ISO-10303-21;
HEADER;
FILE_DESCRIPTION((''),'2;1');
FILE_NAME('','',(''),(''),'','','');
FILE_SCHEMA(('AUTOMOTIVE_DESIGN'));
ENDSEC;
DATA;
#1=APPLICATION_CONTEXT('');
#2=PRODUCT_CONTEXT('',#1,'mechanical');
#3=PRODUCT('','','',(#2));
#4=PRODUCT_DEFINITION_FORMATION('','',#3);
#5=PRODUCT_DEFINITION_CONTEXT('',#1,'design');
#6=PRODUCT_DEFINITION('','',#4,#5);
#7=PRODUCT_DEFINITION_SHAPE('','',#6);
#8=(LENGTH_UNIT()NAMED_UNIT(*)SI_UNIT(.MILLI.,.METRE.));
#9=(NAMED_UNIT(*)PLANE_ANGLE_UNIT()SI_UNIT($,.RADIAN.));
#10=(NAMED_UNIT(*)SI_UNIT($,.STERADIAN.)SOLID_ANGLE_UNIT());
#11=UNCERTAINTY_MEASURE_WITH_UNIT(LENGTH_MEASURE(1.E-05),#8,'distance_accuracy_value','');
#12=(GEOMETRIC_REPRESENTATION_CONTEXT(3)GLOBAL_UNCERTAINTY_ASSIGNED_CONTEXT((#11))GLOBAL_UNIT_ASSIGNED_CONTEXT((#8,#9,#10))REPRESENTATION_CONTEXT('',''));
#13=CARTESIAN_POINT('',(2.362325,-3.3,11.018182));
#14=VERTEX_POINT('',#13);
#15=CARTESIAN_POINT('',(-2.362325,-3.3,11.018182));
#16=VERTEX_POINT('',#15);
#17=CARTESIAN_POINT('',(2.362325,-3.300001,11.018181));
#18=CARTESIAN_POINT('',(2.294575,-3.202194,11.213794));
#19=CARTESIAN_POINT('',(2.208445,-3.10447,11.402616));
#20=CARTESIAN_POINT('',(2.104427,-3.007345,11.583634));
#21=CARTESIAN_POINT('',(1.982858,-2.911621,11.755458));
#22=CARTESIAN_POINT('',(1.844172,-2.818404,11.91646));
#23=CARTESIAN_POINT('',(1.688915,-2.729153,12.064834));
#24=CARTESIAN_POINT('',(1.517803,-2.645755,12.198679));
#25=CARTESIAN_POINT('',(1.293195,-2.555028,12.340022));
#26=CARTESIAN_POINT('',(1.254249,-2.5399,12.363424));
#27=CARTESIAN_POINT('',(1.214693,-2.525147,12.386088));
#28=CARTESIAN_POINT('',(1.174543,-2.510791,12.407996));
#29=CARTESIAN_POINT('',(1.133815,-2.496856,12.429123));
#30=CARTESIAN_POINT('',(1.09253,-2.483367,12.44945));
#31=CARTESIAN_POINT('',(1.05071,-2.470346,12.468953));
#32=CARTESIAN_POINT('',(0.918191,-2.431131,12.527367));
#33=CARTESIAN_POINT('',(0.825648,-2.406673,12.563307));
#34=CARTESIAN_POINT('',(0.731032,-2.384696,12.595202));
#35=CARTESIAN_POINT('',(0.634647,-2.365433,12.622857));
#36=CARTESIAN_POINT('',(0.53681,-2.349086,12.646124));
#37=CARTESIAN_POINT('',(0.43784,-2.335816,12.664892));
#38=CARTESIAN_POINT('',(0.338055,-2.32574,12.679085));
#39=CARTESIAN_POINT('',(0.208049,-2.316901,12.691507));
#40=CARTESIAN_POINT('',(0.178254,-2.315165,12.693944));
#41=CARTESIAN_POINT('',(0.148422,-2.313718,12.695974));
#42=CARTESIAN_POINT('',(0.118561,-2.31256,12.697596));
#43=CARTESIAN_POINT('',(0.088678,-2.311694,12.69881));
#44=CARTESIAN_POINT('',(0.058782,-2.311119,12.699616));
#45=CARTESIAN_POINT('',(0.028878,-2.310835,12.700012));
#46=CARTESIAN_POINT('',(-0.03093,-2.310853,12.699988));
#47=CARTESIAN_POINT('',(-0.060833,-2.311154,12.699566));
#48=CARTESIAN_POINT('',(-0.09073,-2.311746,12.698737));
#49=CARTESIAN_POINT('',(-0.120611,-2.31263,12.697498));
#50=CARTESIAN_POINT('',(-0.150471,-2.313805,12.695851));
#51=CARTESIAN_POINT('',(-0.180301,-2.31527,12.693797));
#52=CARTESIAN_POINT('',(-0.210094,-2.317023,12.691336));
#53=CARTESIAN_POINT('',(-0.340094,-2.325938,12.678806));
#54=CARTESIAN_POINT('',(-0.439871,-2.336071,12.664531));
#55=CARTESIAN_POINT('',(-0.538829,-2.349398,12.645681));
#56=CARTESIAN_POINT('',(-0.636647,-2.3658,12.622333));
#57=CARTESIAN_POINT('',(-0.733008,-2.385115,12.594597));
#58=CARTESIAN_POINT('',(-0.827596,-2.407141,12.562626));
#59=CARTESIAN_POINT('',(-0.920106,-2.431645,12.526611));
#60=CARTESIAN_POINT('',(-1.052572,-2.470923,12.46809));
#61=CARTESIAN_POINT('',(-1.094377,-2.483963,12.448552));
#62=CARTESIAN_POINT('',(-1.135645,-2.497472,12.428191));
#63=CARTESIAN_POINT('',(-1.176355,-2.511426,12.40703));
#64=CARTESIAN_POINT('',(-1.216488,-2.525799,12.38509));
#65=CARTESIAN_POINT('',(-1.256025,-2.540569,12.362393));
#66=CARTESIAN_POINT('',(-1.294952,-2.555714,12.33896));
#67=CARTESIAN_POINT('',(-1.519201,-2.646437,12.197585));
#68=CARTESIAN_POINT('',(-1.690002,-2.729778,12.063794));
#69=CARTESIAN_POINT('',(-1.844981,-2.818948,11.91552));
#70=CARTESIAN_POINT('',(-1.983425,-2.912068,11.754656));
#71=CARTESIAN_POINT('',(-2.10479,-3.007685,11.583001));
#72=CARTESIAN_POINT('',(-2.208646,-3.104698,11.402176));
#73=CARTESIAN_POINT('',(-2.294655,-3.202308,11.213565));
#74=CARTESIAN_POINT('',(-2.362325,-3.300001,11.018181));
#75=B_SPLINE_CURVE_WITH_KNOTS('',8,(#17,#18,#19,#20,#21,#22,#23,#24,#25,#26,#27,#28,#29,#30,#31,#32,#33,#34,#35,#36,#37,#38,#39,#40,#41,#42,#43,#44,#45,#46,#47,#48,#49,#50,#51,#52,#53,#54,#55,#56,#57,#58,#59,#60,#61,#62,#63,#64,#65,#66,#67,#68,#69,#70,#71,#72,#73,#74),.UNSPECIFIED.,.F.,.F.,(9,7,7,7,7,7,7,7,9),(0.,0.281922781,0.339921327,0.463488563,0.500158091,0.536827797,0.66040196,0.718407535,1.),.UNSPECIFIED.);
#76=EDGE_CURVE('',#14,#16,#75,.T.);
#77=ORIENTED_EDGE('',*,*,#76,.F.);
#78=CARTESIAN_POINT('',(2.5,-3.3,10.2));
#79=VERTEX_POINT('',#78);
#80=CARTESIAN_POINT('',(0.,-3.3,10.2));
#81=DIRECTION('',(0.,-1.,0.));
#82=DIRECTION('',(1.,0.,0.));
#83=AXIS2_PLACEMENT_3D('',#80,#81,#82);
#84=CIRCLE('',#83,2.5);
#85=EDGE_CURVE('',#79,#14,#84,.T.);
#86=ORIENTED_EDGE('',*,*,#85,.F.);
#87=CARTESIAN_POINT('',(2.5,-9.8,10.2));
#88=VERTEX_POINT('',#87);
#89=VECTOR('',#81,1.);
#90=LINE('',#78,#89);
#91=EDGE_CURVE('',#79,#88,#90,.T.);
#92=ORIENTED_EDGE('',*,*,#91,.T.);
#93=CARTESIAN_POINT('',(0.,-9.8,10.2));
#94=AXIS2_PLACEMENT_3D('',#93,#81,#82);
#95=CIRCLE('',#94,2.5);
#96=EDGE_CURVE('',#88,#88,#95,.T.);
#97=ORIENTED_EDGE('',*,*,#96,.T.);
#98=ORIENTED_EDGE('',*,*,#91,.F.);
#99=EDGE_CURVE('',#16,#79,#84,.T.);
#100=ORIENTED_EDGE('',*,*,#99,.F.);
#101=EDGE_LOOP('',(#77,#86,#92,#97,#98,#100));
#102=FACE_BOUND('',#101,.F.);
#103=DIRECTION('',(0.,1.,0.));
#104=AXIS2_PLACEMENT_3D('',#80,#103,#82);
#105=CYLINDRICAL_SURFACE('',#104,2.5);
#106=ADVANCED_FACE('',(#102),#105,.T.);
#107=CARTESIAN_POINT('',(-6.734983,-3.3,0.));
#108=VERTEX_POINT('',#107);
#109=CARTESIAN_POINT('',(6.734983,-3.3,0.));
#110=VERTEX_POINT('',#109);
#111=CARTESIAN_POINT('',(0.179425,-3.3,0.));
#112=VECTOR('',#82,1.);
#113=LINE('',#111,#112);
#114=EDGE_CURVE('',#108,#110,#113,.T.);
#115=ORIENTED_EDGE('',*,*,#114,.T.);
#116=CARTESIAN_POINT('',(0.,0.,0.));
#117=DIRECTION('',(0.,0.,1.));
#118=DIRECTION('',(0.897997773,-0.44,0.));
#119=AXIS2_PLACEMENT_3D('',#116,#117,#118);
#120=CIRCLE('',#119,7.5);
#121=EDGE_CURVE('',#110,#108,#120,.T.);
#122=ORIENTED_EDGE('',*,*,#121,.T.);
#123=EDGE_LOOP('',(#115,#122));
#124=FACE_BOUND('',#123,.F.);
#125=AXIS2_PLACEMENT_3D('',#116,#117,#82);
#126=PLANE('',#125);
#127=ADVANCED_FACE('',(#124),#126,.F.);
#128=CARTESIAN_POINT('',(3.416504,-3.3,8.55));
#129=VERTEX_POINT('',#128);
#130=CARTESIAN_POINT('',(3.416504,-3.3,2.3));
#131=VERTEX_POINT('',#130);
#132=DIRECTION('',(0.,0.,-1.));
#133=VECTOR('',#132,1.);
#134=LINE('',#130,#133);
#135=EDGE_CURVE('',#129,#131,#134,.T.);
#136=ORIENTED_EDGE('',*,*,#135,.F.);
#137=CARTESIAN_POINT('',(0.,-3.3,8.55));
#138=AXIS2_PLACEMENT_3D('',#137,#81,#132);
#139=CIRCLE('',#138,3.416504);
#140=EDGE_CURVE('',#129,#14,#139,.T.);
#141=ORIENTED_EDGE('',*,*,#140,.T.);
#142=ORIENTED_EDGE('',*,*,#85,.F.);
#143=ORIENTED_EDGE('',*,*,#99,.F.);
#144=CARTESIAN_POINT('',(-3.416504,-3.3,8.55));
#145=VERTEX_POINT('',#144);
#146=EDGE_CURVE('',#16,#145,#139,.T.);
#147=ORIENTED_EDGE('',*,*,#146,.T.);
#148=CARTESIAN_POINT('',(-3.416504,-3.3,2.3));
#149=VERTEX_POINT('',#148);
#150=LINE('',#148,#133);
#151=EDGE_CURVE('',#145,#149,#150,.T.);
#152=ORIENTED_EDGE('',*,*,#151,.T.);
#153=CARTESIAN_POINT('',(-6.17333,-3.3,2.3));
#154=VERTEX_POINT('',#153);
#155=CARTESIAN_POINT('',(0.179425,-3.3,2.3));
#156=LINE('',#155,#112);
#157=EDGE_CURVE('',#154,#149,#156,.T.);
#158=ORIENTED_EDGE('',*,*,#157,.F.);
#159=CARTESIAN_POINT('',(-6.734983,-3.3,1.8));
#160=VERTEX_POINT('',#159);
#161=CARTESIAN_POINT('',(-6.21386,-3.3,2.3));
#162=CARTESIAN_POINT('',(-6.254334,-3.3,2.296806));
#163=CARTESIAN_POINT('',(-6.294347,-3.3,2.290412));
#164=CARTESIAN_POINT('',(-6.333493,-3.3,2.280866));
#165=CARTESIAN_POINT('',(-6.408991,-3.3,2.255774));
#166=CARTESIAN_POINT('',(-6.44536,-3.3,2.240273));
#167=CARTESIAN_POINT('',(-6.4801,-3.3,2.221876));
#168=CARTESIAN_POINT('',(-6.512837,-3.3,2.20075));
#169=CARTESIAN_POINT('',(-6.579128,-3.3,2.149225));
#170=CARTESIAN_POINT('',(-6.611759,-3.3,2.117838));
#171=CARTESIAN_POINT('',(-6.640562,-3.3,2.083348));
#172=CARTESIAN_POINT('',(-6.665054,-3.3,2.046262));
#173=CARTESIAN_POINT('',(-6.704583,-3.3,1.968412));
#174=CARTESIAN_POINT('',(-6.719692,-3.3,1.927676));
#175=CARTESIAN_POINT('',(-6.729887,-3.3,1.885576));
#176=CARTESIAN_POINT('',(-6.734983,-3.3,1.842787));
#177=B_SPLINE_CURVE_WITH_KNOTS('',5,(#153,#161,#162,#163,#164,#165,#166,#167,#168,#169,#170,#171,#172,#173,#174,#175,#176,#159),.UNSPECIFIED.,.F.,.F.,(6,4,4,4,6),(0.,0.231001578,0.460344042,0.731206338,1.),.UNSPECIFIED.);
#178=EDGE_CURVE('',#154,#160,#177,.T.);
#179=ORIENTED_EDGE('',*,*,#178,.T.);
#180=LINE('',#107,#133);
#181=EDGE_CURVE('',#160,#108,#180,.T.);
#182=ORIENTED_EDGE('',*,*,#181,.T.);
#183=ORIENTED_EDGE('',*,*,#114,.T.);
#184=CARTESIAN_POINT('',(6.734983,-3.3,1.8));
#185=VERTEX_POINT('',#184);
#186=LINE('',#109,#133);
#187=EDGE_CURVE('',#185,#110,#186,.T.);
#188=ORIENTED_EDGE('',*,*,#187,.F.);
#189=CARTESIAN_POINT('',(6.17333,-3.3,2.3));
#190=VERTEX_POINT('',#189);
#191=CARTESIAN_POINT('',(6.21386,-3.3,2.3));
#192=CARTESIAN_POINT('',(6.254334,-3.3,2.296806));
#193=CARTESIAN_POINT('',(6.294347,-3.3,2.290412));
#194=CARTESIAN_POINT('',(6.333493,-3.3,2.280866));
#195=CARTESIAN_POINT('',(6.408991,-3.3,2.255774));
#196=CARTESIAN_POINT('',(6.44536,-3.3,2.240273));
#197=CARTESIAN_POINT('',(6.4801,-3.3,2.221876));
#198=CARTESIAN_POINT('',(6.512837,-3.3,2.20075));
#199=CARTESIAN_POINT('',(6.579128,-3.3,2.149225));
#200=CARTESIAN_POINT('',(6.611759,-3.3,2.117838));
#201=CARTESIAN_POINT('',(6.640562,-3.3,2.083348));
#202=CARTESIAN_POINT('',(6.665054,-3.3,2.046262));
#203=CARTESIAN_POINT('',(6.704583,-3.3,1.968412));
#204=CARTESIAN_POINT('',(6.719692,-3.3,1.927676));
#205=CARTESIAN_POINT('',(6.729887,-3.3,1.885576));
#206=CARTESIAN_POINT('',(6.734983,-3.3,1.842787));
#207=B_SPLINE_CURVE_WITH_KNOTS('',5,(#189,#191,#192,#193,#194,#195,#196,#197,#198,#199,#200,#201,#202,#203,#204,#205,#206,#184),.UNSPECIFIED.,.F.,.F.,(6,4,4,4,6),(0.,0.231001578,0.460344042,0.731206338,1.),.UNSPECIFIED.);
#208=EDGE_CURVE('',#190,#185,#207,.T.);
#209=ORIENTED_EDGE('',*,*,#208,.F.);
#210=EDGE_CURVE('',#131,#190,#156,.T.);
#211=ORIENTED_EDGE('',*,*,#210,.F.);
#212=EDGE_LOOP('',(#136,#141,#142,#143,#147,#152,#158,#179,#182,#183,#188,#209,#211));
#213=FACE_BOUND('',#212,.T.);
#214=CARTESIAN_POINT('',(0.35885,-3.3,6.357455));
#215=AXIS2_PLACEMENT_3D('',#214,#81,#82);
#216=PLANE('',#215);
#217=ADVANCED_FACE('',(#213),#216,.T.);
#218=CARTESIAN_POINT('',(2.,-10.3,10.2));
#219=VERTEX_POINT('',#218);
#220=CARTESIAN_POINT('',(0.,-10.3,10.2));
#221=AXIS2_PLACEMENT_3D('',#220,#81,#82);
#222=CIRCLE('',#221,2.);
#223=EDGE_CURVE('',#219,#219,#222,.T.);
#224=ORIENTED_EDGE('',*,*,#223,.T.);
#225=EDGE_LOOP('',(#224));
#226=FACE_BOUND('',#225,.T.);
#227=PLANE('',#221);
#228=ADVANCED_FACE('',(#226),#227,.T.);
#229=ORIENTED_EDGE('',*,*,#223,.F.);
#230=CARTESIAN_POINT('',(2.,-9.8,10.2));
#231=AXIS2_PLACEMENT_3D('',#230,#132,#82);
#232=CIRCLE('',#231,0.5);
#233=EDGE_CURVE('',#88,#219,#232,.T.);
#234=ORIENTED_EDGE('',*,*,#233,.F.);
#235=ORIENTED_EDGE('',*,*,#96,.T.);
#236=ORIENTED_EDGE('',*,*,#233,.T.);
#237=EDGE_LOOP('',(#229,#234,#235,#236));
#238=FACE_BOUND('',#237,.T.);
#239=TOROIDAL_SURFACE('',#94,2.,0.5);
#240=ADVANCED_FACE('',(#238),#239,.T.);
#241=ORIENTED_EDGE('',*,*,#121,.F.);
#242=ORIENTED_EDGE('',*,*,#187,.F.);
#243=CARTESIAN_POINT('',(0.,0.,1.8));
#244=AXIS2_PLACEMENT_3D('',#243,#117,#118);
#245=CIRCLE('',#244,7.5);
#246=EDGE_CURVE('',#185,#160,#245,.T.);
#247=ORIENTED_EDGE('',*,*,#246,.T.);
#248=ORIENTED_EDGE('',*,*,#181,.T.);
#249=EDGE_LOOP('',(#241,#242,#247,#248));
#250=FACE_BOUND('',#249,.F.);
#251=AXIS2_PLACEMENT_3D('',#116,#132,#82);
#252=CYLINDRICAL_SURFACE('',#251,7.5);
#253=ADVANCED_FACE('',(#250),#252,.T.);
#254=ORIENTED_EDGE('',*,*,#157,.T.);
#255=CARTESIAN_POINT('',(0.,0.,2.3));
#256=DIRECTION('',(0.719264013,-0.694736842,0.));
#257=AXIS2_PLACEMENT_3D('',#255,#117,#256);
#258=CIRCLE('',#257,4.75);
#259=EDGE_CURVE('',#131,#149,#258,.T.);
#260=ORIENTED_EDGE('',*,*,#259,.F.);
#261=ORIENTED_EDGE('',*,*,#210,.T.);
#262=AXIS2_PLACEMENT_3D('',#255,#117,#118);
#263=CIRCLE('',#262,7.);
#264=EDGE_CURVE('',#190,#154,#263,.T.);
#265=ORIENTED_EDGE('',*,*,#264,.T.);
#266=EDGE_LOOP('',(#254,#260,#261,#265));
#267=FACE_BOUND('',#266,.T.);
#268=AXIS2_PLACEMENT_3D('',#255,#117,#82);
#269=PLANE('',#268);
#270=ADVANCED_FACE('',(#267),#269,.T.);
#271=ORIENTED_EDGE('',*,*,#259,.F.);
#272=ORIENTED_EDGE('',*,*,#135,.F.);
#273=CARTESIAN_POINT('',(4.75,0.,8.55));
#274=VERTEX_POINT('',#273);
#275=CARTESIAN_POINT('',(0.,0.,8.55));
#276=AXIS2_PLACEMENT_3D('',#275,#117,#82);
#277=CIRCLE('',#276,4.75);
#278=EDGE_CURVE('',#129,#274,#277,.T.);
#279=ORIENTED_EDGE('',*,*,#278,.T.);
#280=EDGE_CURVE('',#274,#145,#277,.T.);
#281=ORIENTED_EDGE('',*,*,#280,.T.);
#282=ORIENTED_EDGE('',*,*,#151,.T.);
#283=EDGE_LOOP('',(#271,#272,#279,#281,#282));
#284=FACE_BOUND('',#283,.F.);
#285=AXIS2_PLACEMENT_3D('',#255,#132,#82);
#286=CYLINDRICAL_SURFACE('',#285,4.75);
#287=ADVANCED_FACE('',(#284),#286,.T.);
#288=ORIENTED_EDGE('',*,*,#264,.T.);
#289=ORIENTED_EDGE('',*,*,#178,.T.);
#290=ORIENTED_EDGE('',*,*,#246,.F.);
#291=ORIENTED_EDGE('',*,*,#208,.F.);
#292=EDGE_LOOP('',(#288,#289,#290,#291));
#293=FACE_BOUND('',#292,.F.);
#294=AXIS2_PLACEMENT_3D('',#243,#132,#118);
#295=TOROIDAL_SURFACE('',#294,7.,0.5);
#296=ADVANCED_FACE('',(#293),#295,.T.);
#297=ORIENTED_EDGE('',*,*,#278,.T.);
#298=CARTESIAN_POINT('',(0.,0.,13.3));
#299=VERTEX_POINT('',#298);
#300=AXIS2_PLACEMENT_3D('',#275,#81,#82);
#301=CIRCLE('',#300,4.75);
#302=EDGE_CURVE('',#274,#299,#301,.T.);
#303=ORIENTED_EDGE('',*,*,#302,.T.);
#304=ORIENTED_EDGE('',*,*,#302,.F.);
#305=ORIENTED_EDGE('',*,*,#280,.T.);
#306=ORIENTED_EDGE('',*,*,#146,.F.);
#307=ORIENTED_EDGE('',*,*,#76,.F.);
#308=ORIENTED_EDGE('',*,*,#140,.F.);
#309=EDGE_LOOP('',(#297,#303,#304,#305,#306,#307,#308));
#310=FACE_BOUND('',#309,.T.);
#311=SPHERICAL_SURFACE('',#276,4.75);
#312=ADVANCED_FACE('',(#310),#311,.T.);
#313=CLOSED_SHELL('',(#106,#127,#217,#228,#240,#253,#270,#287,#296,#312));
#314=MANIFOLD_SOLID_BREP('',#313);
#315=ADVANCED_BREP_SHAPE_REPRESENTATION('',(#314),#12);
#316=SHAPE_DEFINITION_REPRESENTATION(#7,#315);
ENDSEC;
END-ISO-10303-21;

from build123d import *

# Parameters (mm, degrees)
F0_R          = 7.5
F1_DEPTH      = 2.3
F2_R          = 4.75
F3_DEPTH      = 11
F4_R          = 4.75
F6_START      = 3.3
F5_W          = 25.7861725986
F5_H          = 21.5545939282
F6_DEPTH      = 4.201
F7_R          = 2.5
F8_DEPTH      = 7
F8_DEPTH_BACK = 2
F9_R          = 0.5
F10_R         = 0.5


with BuildPart() as f1:
    # F0 (on Top) → F1 (new body)
    with BuildSketch(Plane.XY):
        Circle(F0_R)
    extrude(amount=F1_DEPTH)

    # F2 (on face) → F3 (join)
    with BuildSketch(Plane.XY.offset(2.3)):
        Circle(F2_R)
    extrude(amount=F3_DEPTH)

    # F4
    f4_edges = [f1.edges().sort_by_distance(p)[0] for p in [
        (-4.75, 0, 13.3),
    ]]
    fillet(f4_edges, radius=F4_R)

    # F5 (on Front) → F6 (cut)
    with BuildSketch(Plane.XZ.offset(F6_START)):
        with Locations((0.3588497639, 6.3574551605)):
            Rectangle(F5_W, F5_H)
    extrude(amount=F6_DEPTH, mode=Mode.SUBTRACT)

    # F7 (on face) → F8 (join, two sides)
    with BuildSketch(Plane.XZ.offset(3.3)) as f8_sk:
        with Locations((0, 10.2)):
            Circle(F7_R)
    extrude(amount=F8_DEPTH)
    extrude(f8_sk.sketch, amount=-F8_DEPTH_BACK)

    # F9
    f9_edges = [f1.edges().sort_by_distance(p)[0] for p in [
        (0, 7.5, 2.3),
    ]]
    fillet(f9_edges, radius=F9_R)

    # F10
    f10_edges = [f1.edges().sort_by_distance(p)[0] for p in [
        (-2.5, -10.3, 10.2),
    ]]
    fillet(f10_edges, radius=F10_R)


solid = f1.part
